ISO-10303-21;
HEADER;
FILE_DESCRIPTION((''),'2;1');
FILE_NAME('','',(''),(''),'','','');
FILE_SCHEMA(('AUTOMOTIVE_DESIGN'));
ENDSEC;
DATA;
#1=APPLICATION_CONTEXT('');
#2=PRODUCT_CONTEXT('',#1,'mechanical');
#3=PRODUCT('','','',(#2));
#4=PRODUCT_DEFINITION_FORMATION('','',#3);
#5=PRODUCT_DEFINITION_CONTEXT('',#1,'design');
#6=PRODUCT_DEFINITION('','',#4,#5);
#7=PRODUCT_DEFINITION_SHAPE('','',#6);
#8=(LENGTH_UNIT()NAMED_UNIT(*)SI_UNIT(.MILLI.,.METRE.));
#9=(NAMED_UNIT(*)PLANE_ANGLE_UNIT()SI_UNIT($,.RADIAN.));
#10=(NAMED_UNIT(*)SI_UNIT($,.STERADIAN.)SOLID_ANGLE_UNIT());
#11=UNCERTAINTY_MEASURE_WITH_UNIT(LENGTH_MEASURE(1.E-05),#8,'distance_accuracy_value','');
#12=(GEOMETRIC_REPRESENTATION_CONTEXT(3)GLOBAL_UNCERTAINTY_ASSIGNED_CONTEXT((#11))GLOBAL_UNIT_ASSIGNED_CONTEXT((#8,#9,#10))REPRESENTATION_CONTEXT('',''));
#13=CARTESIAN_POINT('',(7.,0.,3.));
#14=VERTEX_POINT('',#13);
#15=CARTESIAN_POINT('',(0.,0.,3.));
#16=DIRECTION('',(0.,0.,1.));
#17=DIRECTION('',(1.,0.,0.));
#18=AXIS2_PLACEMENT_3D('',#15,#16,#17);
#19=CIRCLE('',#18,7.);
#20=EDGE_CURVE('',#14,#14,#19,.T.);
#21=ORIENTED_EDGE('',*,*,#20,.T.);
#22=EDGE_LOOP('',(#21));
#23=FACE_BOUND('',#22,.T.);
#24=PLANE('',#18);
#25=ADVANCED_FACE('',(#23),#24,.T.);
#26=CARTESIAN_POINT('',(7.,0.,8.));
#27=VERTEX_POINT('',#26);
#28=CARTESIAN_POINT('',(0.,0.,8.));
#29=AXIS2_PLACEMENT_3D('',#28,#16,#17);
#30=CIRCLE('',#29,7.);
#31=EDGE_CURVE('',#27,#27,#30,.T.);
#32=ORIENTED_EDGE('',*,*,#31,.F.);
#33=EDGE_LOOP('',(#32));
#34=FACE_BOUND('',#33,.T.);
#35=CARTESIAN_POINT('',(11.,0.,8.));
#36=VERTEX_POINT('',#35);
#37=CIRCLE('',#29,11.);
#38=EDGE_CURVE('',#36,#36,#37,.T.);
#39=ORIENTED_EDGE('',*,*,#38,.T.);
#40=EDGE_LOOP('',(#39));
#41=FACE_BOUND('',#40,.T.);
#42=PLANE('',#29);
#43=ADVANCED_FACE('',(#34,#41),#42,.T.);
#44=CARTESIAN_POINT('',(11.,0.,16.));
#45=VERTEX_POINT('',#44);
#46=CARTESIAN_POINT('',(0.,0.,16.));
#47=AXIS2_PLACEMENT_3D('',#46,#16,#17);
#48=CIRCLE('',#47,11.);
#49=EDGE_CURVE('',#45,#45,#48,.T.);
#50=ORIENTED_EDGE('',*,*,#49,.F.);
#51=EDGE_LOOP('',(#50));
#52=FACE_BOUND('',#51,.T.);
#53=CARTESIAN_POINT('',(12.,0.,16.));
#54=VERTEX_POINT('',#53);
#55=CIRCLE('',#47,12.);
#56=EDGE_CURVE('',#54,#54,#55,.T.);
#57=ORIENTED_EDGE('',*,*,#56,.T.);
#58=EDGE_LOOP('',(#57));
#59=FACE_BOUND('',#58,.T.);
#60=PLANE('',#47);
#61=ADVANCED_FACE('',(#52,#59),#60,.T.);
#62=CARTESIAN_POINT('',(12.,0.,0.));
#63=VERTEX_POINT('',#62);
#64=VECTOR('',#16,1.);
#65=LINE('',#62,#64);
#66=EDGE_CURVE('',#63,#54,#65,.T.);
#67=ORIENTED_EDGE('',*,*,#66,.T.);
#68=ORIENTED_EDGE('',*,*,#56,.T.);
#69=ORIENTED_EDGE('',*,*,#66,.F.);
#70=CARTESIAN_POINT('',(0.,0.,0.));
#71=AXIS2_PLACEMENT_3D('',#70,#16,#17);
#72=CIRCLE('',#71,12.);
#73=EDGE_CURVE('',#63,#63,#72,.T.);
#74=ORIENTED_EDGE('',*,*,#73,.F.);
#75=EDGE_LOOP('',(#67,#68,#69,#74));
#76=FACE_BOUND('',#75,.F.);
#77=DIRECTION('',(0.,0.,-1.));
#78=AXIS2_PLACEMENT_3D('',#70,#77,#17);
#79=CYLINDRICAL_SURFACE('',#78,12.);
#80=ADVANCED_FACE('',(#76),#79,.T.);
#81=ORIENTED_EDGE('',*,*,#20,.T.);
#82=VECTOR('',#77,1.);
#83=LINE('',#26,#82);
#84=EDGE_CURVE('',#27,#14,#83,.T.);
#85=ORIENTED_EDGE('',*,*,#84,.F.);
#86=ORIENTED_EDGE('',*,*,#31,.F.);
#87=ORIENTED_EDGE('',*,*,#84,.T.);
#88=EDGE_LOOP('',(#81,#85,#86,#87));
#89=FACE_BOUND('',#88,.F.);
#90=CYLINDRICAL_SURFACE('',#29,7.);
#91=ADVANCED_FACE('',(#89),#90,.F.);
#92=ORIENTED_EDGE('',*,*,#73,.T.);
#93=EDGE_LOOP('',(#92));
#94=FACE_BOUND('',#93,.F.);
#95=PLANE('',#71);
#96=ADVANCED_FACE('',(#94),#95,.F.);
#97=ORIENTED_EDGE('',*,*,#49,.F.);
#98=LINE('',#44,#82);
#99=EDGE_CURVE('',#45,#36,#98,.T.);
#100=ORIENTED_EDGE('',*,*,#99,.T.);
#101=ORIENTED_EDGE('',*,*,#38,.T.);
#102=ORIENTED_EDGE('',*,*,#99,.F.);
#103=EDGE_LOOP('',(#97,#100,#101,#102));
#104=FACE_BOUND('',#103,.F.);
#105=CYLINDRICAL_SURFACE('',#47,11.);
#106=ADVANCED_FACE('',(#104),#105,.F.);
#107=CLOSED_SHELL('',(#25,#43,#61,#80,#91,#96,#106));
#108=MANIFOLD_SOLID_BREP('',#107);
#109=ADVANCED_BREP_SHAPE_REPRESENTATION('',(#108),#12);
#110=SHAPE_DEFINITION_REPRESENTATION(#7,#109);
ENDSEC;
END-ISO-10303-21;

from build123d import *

# Parameters (mm, degrees)
CYLINDER_R      = 12
CYLINDER_DEPTH  = 16
SKETCH_R        = 11
POCKET_DEPTH    = 8
SKETCH001_R     = 7
POCKET001_DEPTH = 5


with BuildPart() as part:
    # Cylinder → Cylinder (new body)
    with BuildSketch(Plane.XY):
        Circle(CYLINDER_R)
    extrude(amount=CYLINDER_DEPTH)

    # Sketch → Pocket (cut)
    with BuildSketch(Plane.XY.offset(16)):
        Circle(SKETCH_R)
    extrude(amount=-POCKET_DEPTH, mode=Mode.SUBTRACT)

    # Sketch001 → Pocket001 (cut)
    with BuildSketch(Plane.XY.offset(8)):
        Circle(SKETCH001_R)
    extrude(amount=-POCKET001_DEPTH, mode=Mode.SUBTRACT)


solid = part.part
